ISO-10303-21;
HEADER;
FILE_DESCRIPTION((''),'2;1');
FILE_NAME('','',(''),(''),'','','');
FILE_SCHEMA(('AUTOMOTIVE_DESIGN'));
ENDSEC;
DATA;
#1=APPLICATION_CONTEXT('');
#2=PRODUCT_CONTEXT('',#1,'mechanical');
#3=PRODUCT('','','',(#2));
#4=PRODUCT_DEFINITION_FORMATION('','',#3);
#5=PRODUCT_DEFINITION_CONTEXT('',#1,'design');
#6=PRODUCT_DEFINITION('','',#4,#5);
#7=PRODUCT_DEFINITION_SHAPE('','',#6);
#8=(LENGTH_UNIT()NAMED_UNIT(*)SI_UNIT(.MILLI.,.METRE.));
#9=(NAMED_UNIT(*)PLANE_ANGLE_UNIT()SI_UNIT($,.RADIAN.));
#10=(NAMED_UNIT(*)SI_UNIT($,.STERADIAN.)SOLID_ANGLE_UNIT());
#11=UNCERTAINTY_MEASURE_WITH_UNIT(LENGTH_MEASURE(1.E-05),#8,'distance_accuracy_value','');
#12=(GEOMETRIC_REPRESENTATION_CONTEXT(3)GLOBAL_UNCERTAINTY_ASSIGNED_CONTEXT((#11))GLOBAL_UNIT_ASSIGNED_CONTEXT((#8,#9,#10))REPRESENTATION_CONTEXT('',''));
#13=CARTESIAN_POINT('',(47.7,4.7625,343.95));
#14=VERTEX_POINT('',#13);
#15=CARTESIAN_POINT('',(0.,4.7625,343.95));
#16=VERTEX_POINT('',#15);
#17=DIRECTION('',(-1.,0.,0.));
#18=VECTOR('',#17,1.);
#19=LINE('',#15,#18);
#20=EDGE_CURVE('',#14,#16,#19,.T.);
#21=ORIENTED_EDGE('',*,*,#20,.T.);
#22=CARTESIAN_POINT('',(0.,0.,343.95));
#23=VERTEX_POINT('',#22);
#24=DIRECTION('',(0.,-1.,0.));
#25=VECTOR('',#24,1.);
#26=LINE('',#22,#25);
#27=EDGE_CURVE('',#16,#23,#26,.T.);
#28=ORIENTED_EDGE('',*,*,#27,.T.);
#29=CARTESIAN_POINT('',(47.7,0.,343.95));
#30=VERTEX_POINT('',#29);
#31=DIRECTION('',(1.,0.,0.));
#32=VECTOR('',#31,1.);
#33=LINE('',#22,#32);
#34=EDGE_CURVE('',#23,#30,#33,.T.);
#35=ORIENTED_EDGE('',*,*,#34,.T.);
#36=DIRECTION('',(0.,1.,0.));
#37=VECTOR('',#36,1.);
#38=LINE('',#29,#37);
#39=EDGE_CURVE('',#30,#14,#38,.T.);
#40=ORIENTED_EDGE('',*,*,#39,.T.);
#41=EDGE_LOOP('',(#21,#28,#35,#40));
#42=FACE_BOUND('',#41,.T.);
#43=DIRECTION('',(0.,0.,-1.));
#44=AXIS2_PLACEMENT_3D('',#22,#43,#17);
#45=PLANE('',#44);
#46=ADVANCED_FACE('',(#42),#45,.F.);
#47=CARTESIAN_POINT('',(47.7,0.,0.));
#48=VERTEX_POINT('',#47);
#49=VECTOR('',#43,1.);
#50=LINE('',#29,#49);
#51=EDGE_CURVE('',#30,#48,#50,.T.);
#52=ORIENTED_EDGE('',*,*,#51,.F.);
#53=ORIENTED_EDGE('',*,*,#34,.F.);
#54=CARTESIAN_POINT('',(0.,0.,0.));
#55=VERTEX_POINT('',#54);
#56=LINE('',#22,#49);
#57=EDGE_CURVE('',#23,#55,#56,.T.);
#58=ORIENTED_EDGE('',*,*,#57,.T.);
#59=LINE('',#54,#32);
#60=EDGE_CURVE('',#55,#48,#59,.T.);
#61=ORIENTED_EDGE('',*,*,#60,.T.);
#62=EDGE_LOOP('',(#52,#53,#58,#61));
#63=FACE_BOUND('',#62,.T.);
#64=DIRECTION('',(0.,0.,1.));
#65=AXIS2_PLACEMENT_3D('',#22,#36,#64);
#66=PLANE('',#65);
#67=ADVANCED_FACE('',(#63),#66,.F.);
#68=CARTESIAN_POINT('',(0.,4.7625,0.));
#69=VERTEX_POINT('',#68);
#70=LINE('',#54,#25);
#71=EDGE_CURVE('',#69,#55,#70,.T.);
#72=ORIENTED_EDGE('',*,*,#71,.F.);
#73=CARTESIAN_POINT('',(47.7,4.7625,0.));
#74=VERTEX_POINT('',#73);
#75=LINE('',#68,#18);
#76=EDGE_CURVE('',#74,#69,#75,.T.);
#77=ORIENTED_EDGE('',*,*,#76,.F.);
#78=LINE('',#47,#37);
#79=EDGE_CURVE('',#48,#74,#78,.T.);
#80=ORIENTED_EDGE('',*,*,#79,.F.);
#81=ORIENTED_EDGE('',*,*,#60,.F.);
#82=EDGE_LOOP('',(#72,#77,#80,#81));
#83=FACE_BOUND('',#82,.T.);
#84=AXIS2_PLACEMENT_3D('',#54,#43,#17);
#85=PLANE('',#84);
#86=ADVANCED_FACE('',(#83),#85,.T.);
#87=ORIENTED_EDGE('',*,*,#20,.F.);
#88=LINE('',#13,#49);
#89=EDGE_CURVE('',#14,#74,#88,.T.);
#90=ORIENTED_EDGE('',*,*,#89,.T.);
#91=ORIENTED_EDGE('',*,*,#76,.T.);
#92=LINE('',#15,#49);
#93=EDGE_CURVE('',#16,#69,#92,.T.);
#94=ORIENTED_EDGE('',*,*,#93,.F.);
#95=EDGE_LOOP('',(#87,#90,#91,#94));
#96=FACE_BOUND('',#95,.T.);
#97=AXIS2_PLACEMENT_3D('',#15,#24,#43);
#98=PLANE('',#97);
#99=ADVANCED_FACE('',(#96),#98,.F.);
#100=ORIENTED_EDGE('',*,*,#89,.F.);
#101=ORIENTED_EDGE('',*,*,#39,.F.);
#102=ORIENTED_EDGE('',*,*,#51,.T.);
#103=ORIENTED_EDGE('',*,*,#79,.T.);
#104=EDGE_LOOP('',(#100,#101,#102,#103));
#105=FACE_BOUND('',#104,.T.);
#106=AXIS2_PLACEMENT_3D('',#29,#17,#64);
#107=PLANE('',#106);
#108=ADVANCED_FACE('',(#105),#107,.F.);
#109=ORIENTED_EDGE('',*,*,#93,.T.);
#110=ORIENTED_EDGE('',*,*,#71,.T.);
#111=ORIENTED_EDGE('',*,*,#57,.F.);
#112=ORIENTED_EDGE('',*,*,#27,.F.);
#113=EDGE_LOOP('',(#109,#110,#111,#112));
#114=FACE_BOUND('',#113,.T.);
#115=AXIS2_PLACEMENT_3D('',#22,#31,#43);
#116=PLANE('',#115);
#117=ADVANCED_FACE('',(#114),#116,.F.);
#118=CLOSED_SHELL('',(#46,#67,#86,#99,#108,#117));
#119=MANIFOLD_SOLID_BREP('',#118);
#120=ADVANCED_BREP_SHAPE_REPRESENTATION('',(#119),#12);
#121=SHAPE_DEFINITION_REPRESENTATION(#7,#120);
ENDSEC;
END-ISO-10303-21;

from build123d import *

# Parameters (mm, degrees)
SKETCH1_W           = 47.7
SKETCH1_H           = 4.7625
BOSS_EXTRUDE1_DEPTH = 343.95


with BuildPart() as part:
    # Sketch1 → Boss-Extrude1 (new body)
    with BuildSketch(Plane.XY):
        with Locations((23.85, 2.38125)):
            Rectangle(SKETCH1_W, SKETCH1_H)
    extrude(amount=BOSS_EXTRUDE1_DEPTH)


solid = part.part
